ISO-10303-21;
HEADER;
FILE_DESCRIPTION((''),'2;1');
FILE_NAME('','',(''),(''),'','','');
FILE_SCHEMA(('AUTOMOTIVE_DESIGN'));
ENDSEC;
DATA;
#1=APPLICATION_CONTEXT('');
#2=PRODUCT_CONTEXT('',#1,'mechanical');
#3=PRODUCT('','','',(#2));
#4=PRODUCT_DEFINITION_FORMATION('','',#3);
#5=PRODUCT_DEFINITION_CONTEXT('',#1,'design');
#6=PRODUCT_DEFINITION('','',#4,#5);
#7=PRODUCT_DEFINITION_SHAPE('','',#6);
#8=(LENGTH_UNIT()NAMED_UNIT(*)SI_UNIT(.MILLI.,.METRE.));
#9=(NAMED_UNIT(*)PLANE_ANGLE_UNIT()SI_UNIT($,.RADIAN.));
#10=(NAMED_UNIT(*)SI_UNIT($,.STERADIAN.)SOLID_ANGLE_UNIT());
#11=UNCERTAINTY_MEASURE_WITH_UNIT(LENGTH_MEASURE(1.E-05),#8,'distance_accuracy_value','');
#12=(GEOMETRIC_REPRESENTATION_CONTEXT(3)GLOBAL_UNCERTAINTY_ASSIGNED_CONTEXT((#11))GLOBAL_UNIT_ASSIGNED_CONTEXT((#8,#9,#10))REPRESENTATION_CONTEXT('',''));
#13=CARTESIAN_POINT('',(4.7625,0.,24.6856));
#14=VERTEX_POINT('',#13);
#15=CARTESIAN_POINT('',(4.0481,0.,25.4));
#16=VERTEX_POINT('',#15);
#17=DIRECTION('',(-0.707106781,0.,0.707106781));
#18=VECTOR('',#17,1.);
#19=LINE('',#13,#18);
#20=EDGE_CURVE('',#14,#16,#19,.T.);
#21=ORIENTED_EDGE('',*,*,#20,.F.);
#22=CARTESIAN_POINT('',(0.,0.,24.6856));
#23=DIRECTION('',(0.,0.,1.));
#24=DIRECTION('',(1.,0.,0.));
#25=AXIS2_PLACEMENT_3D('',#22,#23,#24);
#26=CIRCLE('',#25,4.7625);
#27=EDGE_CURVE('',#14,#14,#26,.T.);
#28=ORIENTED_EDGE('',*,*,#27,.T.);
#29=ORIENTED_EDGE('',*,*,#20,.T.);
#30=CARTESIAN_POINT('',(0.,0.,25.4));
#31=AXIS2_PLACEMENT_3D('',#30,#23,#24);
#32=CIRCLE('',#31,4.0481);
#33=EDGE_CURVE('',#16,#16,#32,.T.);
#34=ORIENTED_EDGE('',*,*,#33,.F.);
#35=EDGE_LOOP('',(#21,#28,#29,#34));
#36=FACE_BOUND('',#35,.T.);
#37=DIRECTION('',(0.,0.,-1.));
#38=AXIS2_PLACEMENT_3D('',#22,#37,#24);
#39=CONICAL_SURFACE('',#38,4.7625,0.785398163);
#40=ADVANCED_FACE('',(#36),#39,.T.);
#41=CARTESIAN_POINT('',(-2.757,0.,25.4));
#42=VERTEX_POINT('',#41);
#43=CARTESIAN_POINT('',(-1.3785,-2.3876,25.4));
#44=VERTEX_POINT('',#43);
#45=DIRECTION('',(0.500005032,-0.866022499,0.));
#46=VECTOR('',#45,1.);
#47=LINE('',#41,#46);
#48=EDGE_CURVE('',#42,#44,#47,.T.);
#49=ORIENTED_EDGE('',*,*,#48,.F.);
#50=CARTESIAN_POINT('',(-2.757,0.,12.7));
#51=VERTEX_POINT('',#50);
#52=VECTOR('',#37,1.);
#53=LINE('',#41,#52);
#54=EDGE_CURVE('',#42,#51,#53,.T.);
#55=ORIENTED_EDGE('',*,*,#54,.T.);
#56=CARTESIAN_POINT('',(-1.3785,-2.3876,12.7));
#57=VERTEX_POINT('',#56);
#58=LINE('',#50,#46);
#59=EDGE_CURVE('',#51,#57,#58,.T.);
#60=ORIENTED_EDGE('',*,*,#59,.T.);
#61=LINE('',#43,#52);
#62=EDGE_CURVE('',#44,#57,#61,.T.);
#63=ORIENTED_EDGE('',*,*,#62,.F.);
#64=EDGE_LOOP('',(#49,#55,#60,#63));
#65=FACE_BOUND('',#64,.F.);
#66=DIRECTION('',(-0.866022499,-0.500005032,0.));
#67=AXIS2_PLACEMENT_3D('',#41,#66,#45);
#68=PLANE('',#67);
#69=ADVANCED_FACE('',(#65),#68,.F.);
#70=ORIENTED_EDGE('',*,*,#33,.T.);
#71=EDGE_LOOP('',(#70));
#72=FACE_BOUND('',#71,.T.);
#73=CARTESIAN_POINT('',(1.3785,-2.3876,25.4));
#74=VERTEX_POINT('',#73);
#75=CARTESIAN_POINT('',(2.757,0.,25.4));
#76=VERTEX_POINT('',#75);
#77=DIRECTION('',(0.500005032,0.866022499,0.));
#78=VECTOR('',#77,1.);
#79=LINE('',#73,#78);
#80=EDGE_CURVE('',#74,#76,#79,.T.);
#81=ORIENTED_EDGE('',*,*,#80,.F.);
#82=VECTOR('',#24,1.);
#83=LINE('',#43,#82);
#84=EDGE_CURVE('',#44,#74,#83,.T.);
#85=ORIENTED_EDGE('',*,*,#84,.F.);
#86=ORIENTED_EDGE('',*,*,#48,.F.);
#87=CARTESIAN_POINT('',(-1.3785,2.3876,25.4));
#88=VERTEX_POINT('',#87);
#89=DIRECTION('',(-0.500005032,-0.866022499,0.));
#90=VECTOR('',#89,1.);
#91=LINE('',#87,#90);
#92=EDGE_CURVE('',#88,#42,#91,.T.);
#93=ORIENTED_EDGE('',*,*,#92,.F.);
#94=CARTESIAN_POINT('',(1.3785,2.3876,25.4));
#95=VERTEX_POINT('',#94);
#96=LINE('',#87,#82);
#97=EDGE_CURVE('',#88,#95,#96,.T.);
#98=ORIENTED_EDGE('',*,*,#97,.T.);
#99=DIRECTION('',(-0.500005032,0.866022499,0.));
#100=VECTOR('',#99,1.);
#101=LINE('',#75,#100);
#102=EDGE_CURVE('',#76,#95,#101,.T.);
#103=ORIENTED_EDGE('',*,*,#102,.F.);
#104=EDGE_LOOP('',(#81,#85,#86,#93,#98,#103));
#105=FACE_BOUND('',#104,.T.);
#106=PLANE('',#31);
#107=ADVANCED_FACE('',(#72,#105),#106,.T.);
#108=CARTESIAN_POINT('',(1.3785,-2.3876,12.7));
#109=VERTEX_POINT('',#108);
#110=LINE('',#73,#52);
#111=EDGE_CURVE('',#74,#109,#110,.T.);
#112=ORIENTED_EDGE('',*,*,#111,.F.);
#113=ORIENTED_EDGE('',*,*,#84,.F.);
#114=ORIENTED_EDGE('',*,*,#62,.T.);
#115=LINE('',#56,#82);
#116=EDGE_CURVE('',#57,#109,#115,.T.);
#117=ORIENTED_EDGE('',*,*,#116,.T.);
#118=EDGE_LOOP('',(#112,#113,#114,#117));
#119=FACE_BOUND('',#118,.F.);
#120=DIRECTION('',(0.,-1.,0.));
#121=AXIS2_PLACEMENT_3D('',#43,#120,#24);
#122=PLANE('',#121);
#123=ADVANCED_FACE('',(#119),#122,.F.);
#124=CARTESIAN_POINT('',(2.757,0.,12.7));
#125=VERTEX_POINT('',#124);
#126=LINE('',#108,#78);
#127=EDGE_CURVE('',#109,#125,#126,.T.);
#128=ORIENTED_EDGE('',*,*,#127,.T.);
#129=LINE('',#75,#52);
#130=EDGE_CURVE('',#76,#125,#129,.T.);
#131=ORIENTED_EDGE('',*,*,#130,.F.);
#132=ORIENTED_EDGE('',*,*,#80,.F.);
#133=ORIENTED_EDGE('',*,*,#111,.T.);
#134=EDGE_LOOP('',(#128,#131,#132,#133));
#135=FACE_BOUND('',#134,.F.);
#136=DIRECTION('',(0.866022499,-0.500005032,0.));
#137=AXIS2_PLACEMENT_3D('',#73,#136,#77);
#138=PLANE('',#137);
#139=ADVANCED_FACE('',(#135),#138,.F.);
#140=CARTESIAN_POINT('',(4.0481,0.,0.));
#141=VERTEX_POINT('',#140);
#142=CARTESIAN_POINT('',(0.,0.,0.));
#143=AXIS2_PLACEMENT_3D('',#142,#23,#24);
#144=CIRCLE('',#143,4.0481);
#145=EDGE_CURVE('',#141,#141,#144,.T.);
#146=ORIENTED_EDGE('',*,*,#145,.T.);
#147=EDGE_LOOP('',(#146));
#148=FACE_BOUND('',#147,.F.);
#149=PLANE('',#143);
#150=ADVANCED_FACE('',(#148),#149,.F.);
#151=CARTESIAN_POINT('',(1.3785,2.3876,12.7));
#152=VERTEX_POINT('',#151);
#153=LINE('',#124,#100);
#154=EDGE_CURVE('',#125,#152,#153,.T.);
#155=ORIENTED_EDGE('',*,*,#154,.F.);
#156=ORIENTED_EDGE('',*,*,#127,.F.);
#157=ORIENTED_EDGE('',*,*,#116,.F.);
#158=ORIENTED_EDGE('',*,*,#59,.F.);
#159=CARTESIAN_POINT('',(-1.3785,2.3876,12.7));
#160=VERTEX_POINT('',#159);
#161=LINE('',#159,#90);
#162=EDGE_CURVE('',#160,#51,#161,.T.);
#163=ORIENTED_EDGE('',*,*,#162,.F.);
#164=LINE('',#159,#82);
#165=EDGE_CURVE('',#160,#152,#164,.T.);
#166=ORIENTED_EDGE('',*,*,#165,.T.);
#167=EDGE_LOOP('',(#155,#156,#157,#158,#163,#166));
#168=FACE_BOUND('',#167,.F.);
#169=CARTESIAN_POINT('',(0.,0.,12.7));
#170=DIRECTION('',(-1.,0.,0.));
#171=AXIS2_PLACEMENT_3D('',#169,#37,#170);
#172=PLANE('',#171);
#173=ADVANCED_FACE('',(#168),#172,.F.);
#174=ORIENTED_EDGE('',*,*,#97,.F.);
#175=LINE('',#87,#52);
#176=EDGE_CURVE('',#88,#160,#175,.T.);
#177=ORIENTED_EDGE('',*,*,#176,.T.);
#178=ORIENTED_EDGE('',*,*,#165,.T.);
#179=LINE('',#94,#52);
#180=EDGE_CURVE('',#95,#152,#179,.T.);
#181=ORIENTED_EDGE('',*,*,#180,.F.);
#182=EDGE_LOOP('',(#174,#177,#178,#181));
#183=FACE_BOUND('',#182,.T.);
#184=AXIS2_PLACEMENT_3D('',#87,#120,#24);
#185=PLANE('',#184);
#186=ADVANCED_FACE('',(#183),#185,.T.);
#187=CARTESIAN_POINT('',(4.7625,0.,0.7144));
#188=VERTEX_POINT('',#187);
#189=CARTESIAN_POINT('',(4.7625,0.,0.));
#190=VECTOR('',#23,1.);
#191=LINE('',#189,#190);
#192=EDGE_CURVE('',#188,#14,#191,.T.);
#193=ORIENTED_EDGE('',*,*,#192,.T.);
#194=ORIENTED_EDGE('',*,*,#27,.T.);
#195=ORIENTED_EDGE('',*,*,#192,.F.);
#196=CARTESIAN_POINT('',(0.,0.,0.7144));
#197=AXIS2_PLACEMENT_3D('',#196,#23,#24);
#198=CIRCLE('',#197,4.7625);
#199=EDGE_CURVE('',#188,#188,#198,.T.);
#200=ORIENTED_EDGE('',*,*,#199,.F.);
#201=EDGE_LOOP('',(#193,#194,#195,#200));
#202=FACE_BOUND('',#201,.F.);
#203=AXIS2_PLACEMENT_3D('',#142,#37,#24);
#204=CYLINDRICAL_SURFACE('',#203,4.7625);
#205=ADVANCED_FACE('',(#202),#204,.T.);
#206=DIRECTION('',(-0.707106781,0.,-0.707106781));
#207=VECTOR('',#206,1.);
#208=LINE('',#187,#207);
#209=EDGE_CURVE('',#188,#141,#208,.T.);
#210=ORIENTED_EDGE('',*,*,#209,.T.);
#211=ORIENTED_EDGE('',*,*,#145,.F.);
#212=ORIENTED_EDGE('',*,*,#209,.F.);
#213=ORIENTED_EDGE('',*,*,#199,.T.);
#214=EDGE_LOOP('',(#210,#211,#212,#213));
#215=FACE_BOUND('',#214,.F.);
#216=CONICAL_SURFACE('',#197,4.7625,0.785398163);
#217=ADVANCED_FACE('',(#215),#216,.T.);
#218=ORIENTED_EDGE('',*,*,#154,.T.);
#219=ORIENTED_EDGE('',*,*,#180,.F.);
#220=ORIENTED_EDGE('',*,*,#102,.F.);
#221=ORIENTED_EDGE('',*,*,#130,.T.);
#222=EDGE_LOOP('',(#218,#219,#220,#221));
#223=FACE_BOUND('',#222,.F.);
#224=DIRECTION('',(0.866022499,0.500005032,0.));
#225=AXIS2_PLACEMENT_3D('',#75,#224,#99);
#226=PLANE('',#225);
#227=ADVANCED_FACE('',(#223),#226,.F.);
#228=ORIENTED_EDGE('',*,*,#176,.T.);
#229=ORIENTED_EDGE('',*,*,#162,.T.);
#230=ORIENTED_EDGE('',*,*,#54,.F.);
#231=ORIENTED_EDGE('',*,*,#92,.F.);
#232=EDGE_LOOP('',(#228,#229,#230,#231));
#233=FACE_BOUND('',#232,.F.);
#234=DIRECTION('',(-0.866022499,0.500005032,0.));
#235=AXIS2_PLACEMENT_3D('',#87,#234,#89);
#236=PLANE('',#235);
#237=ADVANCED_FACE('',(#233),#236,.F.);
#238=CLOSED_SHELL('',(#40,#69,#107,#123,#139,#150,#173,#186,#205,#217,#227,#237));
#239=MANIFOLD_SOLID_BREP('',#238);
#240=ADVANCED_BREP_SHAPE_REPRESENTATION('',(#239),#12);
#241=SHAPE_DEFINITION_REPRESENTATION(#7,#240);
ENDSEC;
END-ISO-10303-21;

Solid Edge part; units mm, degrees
sketch "Sketch1" plane through (0, 0, 0) normal (0, 0, 1) x (1, 0, 0)
  circle A0 centre (0, 0) radius 4.7625
  dimension "D1" = 9.525
extrude "Protrusion1" add sketch "Sketch1" along normal blind 25.4
chamfer "Chamfer1" distance 0.7144 angle 45 2 edges at (-4.7625, 0, 0) (-4.7625, 0, 25.4)
sketch "Sketch2" plane through (0, 0, 25.4) normal (0, 0, 1) x (1, 0, 0)
  line L0 (-1.3785, 2.3876) -> (1.3785, 2.3876)
  line L1 (2.757, 0) -> (1.3785, 2.3876)
  line L2 (1.3785, -2.3876) -> (2.757, 0)
  line L3 (-1.3785, -2.3876) -> (1.3785, -2.3876)
  line L4 (-2.757, 0) -> (-1.3785, -2.3876)
  line L5 (-1.3785, 2.3876) -> (-2.757, 0)
  dimension "D1" = 4.7752
extrude "Cutout1" cut sketch "Sketch2" against normal blind 12.7
properties part number "157471"
